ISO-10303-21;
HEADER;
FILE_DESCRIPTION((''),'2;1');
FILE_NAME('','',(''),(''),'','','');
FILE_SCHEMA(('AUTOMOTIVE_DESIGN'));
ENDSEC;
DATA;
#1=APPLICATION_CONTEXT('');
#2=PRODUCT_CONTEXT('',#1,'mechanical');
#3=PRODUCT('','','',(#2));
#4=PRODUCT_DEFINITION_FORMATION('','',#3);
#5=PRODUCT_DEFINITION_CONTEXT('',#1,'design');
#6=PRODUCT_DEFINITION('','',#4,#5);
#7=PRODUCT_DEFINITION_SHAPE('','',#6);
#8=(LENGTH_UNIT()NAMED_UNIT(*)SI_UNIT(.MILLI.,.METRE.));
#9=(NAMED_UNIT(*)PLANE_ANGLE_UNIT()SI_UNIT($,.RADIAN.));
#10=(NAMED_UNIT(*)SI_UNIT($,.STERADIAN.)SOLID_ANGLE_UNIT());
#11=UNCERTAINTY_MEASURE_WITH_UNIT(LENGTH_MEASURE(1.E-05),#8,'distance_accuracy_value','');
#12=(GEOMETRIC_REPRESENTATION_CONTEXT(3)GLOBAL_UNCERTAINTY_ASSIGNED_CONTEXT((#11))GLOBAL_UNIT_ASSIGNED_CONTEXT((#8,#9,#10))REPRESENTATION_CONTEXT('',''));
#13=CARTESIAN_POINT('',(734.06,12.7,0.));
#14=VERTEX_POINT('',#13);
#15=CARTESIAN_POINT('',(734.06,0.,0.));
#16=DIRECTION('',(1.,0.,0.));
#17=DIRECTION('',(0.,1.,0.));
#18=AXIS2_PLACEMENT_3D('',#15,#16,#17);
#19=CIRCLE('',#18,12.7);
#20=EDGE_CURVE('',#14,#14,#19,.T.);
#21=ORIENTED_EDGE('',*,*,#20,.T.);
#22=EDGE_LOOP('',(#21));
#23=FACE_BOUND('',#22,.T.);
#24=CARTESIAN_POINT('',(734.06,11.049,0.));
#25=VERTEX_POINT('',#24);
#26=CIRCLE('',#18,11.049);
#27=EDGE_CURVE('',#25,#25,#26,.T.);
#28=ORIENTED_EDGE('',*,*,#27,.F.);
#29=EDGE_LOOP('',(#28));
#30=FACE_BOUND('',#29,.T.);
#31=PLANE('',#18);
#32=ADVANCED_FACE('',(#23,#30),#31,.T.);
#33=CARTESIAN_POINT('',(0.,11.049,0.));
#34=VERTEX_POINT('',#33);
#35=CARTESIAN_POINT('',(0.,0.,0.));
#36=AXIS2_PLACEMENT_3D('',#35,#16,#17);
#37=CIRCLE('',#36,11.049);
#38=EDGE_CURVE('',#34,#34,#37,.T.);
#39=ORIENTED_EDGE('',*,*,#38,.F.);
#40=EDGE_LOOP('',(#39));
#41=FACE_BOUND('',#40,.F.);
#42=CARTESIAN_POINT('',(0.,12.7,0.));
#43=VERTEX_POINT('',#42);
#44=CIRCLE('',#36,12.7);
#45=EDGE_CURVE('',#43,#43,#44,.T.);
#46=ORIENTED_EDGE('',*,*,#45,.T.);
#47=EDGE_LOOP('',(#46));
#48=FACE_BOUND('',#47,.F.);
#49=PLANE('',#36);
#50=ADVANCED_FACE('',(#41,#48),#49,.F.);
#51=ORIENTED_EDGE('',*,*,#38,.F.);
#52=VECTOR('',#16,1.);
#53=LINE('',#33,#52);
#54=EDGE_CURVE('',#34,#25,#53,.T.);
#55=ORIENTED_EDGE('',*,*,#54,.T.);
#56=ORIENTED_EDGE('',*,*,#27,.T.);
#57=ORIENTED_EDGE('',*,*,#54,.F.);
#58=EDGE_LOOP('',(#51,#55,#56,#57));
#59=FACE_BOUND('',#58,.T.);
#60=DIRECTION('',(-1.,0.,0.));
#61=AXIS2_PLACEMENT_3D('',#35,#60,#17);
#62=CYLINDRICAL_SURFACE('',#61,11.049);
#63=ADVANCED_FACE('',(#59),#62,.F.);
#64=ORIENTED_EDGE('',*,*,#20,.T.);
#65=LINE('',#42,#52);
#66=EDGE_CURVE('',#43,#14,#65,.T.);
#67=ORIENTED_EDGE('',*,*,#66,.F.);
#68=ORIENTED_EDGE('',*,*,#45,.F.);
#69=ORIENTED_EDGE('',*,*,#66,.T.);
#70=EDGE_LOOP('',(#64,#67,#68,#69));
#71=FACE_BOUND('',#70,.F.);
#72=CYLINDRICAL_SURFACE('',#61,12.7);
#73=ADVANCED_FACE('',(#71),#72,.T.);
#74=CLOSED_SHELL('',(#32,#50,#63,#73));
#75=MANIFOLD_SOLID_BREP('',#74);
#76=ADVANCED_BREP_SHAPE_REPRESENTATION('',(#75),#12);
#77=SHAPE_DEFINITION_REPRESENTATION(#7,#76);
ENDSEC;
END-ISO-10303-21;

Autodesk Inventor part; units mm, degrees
ref_plane "XZ Plane" through (0, 0, 0) normal (0, 1, 0) x (-1, 0, 0)
ref_plane "Start Plane" through (0, 0, 0) normal (1, 0, 0) x (0, 1, 0)
ref_plane "End Plane" through (734.06, 0, 0) normal (1, 0, 0) x (0, 1, 0)
sketch "Sketch" plane through (0, 0, 0) normal (1, 0, 0) x (0, 1, 0)
  circle A0 centre (0, 0) radius 12.7
  circle A1 centre (0, 0) radius 11.049
  dimension "d0" = 25.4
  dimension "d1" = 1.651
extrude "Body" add sketch "Sketch" along normal up to surface (734.06 mm away) from surface at 0
sketch "Sketch2" plane through (0, 0, 0) normal (1, 0, 0) x (0, 1, 0)
  line L0 (0, 0) -> (10, 0)
ref_plane "Work Plane3" through (0, 0, 0) normal (0, 0, -1) x (0, 1, 0)
sketch "Sketch3" plane through (0, 0, 0) normal (0, 0, -1) x (0, 1, 0)
  line L0 (-2, 0) -> (12, 0)
  line L1 (-2, 734.06) -> (12, 734.06)
  dimension "d9" = 734.06
equation "\"G_OFFSET_START\" = 0"
equation "\"G_OFFSET_END\" = 0"
equation "\"d5\" = d2 + G_OFFSET_END"
equation "\"G_L\" = d9"
equation "\"d2\" = 734.06"
properties part number "4130_1x0.065" material "Steel, Alloy"
